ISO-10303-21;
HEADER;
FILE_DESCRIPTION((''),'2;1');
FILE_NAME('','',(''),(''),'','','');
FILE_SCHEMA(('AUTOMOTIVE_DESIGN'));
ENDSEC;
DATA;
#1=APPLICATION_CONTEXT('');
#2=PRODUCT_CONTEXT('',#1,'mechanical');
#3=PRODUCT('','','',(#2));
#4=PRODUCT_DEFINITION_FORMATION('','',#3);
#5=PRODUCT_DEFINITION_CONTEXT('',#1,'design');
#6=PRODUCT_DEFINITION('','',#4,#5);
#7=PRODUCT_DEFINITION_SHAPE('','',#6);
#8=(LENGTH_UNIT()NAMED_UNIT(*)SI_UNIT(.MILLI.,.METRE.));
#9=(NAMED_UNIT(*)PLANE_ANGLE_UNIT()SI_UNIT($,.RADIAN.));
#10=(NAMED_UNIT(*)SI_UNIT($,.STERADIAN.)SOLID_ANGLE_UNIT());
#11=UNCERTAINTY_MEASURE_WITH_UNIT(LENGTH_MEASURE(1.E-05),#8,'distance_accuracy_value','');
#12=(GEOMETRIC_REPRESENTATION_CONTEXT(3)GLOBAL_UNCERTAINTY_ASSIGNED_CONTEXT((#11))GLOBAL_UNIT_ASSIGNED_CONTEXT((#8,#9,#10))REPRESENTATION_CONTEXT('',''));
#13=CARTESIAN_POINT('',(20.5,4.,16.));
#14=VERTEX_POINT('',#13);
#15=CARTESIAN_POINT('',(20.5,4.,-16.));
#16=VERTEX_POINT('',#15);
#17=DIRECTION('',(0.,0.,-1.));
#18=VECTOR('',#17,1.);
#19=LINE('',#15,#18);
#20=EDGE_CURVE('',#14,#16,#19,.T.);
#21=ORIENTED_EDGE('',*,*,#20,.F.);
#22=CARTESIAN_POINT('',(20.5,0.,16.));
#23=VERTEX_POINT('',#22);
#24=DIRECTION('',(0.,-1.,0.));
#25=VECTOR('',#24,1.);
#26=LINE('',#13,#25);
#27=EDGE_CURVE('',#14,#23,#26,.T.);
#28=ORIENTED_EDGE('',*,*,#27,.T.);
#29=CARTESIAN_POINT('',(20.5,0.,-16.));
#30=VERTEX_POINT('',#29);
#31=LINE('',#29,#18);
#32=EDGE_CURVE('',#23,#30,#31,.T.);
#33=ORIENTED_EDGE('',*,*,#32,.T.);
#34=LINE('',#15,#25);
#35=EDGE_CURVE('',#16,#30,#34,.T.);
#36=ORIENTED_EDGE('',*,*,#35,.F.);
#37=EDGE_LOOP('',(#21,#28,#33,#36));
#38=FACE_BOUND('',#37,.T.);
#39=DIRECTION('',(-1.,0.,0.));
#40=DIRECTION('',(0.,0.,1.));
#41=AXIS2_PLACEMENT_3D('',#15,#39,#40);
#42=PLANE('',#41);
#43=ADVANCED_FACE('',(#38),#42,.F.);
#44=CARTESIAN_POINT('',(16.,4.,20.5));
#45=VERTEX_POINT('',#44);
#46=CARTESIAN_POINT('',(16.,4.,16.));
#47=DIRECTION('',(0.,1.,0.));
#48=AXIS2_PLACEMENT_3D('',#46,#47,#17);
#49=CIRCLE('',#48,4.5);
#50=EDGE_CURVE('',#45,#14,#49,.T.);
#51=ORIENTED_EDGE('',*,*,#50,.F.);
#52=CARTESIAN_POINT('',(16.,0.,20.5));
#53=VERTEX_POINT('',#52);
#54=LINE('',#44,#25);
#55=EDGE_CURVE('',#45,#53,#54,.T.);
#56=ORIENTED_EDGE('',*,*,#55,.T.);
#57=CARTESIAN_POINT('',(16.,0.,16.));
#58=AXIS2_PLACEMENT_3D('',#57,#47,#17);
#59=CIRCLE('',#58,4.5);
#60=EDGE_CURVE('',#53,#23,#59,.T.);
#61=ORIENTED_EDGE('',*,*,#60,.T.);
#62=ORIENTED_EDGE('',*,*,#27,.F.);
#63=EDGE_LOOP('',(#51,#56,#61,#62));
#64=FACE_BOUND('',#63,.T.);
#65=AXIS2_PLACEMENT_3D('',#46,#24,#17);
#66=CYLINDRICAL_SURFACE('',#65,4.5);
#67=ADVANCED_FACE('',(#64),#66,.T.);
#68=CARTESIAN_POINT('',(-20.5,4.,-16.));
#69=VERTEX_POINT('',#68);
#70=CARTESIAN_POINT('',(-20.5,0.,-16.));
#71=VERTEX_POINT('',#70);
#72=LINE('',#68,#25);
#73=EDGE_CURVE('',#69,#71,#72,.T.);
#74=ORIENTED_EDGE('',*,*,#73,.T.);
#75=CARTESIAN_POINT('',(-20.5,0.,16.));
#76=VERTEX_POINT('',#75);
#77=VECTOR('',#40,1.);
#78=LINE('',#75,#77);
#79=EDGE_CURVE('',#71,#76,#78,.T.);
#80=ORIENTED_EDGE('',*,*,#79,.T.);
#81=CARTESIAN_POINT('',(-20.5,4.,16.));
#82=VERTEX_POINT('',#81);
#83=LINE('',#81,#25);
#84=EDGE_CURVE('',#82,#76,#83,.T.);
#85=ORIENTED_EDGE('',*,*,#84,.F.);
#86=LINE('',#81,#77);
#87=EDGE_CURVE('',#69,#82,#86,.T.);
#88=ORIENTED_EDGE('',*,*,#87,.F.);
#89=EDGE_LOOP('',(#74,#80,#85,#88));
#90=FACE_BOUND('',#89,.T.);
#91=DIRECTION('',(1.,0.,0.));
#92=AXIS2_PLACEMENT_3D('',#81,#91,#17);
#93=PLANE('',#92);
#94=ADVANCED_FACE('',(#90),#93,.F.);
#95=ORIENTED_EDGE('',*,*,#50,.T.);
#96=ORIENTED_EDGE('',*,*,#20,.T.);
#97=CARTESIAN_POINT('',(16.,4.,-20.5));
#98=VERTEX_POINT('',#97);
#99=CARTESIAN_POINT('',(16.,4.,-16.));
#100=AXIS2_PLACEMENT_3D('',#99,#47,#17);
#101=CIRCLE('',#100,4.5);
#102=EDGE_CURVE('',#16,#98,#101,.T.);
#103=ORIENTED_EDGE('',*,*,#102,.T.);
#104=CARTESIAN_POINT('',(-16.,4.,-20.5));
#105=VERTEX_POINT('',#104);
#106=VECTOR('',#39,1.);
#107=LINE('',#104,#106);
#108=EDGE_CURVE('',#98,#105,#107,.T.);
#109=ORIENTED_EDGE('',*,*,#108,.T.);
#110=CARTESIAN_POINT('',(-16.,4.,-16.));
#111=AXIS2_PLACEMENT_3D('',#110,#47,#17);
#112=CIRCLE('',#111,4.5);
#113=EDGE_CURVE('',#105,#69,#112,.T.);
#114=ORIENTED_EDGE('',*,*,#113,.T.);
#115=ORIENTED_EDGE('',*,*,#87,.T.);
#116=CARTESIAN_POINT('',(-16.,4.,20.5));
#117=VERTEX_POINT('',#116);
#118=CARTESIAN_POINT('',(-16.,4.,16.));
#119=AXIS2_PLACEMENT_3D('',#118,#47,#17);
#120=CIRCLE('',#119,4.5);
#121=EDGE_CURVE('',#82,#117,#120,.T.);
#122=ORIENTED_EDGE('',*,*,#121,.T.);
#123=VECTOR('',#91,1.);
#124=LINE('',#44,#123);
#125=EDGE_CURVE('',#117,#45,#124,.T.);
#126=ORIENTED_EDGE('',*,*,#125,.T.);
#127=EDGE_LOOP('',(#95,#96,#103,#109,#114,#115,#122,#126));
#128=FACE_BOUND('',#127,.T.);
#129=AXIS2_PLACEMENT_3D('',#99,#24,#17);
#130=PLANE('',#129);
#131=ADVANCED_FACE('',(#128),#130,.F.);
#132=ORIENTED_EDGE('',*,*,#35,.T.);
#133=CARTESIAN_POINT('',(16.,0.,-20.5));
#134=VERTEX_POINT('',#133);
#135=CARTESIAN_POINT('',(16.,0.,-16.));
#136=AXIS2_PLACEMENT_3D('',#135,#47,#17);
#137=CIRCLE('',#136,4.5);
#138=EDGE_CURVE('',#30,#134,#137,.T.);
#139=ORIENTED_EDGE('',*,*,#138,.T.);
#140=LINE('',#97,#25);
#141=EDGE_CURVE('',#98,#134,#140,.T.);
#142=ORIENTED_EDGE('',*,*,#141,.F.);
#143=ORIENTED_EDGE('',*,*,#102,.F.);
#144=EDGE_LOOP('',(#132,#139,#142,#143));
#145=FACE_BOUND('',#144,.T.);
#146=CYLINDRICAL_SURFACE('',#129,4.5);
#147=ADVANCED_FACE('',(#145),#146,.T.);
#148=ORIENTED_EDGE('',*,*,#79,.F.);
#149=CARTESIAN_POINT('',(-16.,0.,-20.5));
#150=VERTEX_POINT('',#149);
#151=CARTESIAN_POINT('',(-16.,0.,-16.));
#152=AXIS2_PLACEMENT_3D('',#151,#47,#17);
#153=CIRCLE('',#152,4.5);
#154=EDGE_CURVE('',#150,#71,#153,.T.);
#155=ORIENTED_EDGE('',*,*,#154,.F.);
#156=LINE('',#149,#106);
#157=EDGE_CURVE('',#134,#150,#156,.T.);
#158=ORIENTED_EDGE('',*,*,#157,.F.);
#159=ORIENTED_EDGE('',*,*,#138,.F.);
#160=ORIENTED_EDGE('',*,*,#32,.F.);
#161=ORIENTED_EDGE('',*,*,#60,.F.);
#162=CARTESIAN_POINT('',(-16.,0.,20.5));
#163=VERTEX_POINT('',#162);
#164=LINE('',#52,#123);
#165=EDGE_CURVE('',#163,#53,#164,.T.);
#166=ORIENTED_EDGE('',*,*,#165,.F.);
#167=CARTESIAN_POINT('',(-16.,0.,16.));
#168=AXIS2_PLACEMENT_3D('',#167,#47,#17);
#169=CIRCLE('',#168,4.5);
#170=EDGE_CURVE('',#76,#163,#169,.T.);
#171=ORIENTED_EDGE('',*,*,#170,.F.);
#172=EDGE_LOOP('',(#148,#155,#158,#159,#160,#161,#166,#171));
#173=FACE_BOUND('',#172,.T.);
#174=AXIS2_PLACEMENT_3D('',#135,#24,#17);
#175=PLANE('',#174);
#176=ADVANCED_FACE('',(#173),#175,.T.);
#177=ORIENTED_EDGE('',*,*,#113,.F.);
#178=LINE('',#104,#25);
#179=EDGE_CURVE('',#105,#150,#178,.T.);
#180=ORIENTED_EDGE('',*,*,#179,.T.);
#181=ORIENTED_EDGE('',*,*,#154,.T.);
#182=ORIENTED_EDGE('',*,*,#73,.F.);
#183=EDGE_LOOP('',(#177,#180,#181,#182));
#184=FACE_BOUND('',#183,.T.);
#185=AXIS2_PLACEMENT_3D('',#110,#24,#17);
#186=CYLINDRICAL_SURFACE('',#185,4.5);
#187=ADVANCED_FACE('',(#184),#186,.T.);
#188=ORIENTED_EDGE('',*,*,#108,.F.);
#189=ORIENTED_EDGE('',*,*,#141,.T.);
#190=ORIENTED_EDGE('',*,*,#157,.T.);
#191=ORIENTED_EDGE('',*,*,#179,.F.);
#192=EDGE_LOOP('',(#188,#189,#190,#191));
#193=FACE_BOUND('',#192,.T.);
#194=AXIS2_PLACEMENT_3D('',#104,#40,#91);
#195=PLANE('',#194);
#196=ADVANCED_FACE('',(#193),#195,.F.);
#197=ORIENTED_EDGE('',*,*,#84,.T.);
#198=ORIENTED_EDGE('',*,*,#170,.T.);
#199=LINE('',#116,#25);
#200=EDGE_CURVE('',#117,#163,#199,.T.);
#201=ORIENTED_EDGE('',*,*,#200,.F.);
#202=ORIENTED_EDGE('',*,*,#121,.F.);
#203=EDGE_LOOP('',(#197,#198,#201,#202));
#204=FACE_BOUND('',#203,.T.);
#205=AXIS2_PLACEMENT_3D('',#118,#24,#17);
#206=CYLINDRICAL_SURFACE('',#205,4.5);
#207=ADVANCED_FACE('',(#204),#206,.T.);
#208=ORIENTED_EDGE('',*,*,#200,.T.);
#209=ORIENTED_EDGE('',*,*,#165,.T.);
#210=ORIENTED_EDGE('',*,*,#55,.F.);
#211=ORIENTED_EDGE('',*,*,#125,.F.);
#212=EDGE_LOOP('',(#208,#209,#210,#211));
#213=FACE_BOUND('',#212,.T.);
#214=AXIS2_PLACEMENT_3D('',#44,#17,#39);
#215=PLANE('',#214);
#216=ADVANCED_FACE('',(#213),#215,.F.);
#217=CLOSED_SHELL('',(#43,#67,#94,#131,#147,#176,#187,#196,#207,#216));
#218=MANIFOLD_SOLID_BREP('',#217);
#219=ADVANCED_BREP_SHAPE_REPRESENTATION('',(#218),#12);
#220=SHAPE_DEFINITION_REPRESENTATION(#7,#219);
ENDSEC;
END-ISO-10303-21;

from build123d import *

# Parameters (mm, degrees)
EXTRUDE_1_DEPTH = 4


with BuildPart() as part:
    # Extrude sketch 1 → Extrude 1 (new body)
    with BuildSketch(Plane(origin=(0, 0, 0), x_dir=(1, 0, 0), z_dir=(0, 1, 0))):
        with BuildLine():
            Line((20.5, 16), (20.5, -16))
            ThreePointArc((20.5, -16), (19.181980515, -19.181980515), (16, -20.5))
            Line((16, -20.5), (-16, -20.5))
            ThreePointArc((-16, -20.5), (-19.181980515, -19.181980515), (-20.5, -16))
            Line((-20.5, -16), (-20.5, 16))
            ThreePointArc((-20.5, 16), (-19.181980515, 19.181980515), (-16, 20.5))
            Line((-16, 20.5), (16, 20.5))
            ThreePointArc((16, 20.5), (19.181980515, 19.181980515), (20.5, 16))
        make_face()
    extrude(amount=EXTRUDE_1_DEPTH)


solid = part.part
